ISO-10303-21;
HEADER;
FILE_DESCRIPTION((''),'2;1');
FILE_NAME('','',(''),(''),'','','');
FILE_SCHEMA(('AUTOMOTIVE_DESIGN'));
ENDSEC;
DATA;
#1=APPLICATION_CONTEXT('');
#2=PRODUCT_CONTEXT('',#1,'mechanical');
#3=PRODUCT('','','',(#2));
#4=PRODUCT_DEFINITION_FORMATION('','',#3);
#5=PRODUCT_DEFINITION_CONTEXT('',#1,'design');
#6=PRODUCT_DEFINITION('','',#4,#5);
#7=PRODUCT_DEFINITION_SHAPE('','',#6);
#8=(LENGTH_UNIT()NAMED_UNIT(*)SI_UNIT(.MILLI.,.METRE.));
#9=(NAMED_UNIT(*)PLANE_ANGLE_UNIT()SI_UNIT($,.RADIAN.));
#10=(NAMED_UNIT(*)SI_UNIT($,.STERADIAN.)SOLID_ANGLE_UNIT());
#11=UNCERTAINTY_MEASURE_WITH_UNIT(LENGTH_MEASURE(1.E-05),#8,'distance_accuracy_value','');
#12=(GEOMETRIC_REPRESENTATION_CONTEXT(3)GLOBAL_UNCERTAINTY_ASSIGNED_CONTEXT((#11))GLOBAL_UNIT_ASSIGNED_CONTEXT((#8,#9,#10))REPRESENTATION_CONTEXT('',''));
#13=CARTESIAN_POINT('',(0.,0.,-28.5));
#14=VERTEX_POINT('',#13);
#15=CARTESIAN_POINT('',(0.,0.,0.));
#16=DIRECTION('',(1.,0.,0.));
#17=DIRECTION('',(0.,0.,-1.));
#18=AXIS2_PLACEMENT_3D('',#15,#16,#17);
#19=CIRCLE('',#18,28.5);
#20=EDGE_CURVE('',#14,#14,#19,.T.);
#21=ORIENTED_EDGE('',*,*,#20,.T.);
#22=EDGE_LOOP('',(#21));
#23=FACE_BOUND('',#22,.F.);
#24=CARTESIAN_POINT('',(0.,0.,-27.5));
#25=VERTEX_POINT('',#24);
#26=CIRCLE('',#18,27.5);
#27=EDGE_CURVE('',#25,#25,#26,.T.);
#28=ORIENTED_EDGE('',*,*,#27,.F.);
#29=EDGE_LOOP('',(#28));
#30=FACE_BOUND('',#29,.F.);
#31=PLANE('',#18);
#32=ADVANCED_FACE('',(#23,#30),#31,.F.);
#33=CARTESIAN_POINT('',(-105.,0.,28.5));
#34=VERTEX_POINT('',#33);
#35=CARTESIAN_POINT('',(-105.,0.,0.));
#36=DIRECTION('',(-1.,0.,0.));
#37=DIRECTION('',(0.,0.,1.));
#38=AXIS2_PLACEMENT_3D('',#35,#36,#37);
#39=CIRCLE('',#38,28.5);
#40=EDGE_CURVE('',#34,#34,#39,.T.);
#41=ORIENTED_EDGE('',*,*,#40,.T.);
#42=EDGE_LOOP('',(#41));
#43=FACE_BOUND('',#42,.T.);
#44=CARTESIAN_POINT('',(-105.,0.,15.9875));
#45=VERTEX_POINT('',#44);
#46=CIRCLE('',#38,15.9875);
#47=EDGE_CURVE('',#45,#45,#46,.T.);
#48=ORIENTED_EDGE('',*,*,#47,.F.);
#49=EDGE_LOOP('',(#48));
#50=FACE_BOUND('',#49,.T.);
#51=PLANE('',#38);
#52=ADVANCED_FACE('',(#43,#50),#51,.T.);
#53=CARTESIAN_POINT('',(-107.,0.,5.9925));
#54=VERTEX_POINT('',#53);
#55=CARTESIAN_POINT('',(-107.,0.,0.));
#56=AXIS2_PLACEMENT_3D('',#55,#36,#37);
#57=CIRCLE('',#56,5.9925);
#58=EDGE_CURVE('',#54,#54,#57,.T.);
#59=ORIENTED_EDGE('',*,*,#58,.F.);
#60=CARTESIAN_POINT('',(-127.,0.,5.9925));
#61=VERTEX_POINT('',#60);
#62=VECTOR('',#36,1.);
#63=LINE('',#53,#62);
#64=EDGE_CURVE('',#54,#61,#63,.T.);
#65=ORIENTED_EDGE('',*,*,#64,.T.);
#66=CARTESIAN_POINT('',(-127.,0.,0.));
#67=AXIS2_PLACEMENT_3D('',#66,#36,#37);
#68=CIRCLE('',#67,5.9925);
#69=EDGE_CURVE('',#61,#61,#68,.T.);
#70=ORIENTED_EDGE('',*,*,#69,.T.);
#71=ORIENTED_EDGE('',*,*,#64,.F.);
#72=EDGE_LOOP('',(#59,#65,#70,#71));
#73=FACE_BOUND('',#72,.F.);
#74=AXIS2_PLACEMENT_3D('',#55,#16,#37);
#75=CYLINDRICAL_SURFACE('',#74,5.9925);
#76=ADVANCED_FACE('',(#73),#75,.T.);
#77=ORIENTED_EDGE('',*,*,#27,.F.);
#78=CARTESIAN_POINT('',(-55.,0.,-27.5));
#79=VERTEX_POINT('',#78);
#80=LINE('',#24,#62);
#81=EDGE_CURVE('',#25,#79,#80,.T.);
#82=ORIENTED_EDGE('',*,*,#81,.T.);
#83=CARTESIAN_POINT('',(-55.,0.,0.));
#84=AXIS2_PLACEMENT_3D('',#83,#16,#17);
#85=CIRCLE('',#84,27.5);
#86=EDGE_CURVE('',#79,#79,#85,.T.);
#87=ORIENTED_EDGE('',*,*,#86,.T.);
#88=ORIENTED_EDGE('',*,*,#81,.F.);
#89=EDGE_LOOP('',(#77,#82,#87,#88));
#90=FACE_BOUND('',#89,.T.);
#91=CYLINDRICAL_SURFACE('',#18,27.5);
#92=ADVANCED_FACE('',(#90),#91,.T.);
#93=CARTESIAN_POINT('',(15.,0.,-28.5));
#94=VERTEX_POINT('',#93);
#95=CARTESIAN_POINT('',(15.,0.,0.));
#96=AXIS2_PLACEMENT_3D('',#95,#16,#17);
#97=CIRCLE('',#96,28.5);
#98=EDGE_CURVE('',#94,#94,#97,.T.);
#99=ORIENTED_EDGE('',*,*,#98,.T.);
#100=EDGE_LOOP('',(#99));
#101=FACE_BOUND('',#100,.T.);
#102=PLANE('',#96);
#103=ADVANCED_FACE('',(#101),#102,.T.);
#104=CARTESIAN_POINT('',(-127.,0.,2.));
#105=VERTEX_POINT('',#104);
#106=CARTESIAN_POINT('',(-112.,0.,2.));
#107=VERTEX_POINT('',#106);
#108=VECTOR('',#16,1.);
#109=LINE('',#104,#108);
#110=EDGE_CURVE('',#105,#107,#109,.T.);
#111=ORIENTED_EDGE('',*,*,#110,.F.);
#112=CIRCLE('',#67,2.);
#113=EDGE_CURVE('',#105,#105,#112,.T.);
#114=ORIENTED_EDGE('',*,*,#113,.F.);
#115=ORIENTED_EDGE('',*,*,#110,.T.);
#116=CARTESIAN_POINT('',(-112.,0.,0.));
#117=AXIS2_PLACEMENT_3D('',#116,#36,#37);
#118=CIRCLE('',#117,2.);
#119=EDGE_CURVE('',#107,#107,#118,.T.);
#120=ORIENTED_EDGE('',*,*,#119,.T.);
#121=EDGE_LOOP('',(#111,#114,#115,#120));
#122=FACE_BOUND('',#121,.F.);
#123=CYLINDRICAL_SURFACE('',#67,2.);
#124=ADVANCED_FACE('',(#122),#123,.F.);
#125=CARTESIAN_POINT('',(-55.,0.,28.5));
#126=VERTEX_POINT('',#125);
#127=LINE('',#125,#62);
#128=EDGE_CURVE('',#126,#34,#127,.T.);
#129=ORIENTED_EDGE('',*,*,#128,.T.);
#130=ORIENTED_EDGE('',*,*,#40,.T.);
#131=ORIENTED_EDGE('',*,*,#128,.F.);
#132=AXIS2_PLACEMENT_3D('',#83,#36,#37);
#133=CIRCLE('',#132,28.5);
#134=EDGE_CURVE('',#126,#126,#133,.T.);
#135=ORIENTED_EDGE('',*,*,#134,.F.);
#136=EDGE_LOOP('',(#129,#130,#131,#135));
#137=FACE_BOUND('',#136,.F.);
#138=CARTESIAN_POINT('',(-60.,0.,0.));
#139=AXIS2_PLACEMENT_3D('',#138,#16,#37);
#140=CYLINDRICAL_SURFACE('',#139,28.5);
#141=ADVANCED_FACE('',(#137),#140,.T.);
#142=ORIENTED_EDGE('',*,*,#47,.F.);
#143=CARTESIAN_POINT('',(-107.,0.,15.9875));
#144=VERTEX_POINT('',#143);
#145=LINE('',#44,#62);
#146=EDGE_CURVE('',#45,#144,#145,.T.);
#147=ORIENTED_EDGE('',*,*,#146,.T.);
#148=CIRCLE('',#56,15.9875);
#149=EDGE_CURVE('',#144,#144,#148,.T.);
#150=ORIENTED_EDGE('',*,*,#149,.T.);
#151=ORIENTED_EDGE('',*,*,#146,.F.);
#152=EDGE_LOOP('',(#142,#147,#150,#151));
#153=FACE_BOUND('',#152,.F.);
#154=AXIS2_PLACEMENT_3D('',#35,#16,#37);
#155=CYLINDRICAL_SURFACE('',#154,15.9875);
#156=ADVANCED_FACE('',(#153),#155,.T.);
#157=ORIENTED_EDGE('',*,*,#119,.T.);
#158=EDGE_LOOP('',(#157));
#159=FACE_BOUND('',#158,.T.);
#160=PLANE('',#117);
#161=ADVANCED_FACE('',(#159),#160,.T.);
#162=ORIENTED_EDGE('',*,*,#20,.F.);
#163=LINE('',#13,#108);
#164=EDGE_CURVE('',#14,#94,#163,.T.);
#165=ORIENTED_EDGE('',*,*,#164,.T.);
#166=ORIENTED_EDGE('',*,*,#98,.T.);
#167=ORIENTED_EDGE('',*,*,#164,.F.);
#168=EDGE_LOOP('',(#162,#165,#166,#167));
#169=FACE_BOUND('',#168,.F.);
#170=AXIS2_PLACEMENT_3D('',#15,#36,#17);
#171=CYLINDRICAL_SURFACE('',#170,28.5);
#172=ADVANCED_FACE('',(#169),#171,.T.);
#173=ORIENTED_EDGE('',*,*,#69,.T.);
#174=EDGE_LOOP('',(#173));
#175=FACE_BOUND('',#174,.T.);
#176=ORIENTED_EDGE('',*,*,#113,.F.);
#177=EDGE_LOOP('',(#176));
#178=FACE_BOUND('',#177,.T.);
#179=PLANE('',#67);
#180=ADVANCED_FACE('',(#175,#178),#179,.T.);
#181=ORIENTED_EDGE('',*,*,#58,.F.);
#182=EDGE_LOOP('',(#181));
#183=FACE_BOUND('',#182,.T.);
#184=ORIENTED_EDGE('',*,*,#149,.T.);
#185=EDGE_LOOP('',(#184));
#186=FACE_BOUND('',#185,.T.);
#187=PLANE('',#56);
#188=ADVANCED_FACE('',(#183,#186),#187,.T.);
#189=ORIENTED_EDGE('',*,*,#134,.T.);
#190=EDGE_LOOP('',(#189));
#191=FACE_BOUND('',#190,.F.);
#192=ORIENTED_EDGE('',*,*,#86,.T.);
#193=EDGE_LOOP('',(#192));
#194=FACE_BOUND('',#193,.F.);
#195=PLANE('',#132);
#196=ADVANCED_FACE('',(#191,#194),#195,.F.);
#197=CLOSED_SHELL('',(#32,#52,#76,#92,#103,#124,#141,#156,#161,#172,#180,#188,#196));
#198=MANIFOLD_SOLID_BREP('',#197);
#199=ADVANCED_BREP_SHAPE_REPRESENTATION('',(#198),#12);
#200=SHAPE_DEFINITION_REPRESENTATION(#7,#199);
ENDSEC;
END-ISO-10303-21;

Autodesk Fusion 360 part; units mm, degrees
sketch "Sketch1" plane through (0, 0, 0) normal (1, 0, 0) x (0, 0, -1)
  circle A0 centre (0, 0) radius 28.5
  dimension "d1" = 57
extrude "Extrude1" add sketch "Sketch1" along normal blind 15
sketch "Sketch2" plane through (0, 0, 0) normal (1, 0, 0) x (0, 0, -1)
  circle A0 centre (0, 0) radius 27.5
  dimension "d4" = 55
extrude "Extrude2" add sketch "Sketch2" against normal blind 55
sketch "Sketch3" plane through (-55, 0, 0) normal (-1, 0, 0) x (0, 0, 1)
  circle A0 centre (0, 0) radius 27.5
  circle A1 centre (0, 0) radius 28.5
extrude "Extrude3" add sketch "Sketch3" along normal blind 5 contours A0 | A1
sketch "Sketch4" plane through (-60, 0, 0) normal (-1, 0, 0) x (0, 0, 1)
  circle A0 centre (0, 0) radius 28.5
  circle A1 centre (0, 0) radius 28.5
extrude "Extrude4" add sketch "Sketch4" along normal blind 45
sketch "Sketch5" plane through (-105, 0, 0) normal (-1, 0, 0) x (0, 0, 1)
  circle A0 centre (0, 0) radius 28.5
  circle A1 centre (0, 0) radius 15.9875
  dimension "d11" = 31.975
extrude "Extrude5" add sketch "Sketch5" along normal blind 2 contours A1
sketch "Sketch6" plane through (-107, 0, 0) normal (-1, 0, 0) x (0, 0, 1)
  circle A0 centre (0, 0) radius 15.9875
  circle A1 centre (0, 0) radius 5.9925
  dimension "d14" = 11.985
extrude "Extrude6" add sketch "Sketch6" along normal blind 20 contours A1
sketch "Sketch7" plane through (-127, 0, 0) normal (-1, 0, 0) x (0, 0, 1)
  circle A0 centre (0, 0) radius 5.9925
  circle A1 centre (0, 0) radius 2
  dimension "d17" = 4
extrude "Extrude7" cut sketch "Sketch7" against normal blind 15 contours A1
equation "d11 = 32 mm - 0.025 mm"
equation "d14 = 12 mm - 0.015 mm"
